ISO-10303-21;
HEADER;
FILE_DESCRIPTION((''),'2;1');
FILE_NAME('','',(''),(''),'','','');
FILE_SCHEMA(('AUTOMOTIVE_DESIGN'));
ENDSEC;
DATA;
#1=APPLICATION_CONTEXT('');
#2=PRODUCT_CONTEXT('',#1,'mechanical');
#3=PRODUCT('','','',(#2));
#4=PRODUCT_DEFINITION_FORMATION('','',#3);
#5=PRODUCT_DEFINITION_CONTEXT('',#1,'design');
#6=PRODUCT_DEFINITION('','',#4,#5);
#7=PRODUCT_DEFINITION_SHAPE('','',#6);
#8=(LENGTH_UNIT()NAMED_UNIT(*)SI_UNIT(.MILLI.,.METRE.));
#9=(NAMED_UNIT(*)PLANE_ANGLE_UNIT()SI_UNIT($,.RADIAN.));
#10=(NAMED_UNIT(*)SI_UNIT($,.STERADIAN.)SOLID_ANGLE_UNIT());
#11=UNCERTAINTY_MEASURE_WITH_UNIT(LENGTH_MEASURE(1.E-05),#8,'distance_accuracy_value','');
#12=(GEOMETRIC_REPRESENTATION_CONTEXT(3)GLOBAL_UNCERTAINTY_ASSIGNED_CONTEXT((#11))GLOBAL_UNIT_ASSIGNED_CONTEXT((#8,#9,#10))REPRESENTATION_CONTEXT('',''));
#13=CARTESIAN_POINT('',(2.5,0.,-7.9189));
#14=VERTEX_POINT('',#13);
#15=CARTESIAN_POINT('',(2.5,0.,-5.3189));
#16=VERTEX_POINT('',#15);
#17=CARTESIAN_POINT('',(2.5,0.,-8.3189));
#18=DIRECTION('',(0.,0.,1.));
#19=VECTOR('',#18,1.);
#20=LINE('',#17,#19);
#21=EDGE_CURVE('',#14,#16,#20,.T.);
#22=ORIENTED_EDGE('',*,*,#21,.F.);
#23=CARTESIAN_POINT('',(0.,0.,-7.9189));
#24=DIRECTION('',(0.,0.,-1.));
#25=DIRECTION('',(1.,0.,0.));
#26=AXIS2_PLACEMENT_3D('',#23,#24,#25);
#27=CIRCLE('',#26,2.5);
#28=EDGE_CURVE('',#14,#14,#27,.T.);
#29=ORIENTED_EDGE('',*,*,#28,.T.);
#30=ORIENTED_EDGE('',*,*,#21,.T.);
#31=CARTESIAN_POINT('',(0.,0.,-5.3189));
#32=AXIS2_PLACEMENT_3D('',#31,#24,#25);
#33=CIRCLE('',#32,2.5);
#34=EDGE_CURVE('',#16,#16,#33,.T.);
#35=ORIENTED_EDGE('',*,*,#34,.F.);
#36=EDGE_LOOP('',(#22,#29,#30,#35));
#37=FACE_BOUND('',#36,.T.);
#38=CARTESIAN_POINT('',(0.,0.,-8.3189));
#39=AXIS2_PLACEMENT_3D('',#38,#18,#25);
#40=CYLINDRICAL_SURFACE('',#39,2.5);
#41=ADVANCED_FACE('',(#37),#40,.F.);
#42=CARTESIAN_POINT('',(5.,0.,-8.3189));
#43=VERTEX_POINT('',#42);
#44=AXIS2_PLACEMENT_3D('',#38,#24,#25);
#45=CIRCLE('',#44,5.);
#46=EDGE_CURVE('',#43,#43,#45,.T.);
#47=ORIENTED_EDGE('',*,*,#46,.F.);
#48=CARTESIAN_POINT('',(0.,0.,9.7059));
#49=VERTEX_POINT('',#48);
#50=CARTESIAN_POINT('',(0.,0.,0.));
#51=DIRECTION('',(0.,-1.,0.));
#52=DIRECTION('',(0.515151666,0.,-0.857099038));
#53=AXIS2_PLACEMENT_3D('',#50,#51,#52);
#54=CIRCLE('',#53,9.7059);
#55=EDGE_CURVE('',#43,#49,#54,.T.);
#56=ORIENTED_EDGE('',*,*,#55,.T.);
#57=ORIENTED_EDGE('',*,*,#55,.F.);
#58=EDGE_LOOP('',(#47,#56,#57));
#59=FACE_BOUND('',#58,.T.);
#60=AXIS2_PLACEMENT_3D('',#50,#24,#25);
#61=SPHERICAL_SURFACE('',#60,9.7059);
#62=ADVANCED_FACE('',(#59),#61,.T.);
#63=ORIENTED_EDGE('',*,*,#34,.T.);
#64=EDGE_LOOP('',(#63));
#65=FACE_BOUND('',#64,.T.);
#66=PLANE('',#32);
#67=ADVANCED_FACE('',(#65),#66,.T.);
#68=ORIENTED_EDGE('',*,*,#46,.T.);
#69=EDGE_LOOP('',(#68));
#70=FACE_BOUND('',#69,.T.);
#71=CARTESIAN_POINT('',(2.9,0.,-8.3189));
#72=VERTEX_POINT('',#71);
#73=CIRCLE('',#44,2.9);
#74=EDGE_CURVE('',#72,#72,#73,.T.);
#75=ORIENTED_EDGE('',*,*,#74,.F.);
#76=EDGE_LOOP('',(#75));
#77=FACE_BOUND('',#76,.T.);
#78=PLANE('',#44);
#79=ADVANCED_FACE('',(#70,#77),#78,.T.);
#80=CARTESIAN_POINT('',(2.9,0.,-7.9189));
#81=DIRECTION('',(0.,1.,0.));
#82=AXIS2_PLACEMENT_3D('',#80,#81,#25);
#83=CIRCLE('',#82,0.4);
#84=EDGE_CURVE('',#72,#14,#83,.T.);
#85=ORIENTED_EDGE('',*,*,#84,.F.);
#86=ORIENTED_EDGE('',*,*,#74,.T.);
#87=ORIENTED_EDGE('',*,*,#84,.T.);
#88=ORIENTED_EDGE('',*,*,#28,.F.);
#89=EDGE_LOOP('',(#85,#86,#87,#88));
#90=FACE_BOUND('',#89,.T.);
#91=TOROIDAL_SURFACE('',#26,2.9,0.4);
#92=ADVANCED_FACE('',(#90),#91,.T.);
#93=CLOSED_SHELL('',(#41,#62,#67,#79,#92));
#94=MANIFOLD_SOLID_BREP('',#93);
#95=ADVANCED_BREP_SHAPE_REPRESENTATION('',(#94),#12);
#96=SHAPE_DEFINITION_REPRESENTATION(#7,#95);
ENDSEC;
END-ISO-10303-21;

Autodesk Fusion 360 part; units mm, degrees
sketch "Sketch1" plane through (0, 0, 0) normal (0, 1, 0) x (1, 0, 0)
  circle A0 centre (0, 0) radius 9.7059
  line L0 (0, -9.7059) -> (0, 9.7059)
  dimension "d1" = 19.4118
revolve "Revolve1" add sketch "Sketch1" angle 360 about axis through (0, 0, 9.7059) along (0, 0, -1) contours A0 L0 picked at (2.6606, -2.8528)
sketch "Sketch2" plane through (0, 0, 0) normal (0, 1, 0) x (1, 0, 0)
  circle A0 centre (0, 0) radius 9.7059 construction
  line L0 (0, -9.7059) -> (0, 9.7059)
  line L1 (0, 9.7059) -> (5, 9.7059)
  line L2 (5, 9.7059) -> (5, 8.3189)
  line L3 (5, 8.3189) -> (2.5, 8.3189)
  line L4 (2.5, 8.3189) -> (2.5, 5.3189)
  line L5 (2.5, 5.3189) -> (0, 5.3189)
  dimension "d5" = 2.5
  dimension "d9" = 5
  dimension "d10" = 3
revolve "Revolve2" cut sketch "Sketch2" angle 360 about axis through (0, 0, 9.7059) along (0, 0, -1)
fillet "Fillet1" radius 0.4 1 edges at (-2.3308, -0.904, -8.3189)
equation "d1 = atomsize"
equation "atomsize = ( 110 / ( 170 / 30 ) ) * 1 mm"
equation "a_size = ( ( atomsize * 2 ) / ( ( 6 ) ^ ( 1 / 2 ) ) )"
